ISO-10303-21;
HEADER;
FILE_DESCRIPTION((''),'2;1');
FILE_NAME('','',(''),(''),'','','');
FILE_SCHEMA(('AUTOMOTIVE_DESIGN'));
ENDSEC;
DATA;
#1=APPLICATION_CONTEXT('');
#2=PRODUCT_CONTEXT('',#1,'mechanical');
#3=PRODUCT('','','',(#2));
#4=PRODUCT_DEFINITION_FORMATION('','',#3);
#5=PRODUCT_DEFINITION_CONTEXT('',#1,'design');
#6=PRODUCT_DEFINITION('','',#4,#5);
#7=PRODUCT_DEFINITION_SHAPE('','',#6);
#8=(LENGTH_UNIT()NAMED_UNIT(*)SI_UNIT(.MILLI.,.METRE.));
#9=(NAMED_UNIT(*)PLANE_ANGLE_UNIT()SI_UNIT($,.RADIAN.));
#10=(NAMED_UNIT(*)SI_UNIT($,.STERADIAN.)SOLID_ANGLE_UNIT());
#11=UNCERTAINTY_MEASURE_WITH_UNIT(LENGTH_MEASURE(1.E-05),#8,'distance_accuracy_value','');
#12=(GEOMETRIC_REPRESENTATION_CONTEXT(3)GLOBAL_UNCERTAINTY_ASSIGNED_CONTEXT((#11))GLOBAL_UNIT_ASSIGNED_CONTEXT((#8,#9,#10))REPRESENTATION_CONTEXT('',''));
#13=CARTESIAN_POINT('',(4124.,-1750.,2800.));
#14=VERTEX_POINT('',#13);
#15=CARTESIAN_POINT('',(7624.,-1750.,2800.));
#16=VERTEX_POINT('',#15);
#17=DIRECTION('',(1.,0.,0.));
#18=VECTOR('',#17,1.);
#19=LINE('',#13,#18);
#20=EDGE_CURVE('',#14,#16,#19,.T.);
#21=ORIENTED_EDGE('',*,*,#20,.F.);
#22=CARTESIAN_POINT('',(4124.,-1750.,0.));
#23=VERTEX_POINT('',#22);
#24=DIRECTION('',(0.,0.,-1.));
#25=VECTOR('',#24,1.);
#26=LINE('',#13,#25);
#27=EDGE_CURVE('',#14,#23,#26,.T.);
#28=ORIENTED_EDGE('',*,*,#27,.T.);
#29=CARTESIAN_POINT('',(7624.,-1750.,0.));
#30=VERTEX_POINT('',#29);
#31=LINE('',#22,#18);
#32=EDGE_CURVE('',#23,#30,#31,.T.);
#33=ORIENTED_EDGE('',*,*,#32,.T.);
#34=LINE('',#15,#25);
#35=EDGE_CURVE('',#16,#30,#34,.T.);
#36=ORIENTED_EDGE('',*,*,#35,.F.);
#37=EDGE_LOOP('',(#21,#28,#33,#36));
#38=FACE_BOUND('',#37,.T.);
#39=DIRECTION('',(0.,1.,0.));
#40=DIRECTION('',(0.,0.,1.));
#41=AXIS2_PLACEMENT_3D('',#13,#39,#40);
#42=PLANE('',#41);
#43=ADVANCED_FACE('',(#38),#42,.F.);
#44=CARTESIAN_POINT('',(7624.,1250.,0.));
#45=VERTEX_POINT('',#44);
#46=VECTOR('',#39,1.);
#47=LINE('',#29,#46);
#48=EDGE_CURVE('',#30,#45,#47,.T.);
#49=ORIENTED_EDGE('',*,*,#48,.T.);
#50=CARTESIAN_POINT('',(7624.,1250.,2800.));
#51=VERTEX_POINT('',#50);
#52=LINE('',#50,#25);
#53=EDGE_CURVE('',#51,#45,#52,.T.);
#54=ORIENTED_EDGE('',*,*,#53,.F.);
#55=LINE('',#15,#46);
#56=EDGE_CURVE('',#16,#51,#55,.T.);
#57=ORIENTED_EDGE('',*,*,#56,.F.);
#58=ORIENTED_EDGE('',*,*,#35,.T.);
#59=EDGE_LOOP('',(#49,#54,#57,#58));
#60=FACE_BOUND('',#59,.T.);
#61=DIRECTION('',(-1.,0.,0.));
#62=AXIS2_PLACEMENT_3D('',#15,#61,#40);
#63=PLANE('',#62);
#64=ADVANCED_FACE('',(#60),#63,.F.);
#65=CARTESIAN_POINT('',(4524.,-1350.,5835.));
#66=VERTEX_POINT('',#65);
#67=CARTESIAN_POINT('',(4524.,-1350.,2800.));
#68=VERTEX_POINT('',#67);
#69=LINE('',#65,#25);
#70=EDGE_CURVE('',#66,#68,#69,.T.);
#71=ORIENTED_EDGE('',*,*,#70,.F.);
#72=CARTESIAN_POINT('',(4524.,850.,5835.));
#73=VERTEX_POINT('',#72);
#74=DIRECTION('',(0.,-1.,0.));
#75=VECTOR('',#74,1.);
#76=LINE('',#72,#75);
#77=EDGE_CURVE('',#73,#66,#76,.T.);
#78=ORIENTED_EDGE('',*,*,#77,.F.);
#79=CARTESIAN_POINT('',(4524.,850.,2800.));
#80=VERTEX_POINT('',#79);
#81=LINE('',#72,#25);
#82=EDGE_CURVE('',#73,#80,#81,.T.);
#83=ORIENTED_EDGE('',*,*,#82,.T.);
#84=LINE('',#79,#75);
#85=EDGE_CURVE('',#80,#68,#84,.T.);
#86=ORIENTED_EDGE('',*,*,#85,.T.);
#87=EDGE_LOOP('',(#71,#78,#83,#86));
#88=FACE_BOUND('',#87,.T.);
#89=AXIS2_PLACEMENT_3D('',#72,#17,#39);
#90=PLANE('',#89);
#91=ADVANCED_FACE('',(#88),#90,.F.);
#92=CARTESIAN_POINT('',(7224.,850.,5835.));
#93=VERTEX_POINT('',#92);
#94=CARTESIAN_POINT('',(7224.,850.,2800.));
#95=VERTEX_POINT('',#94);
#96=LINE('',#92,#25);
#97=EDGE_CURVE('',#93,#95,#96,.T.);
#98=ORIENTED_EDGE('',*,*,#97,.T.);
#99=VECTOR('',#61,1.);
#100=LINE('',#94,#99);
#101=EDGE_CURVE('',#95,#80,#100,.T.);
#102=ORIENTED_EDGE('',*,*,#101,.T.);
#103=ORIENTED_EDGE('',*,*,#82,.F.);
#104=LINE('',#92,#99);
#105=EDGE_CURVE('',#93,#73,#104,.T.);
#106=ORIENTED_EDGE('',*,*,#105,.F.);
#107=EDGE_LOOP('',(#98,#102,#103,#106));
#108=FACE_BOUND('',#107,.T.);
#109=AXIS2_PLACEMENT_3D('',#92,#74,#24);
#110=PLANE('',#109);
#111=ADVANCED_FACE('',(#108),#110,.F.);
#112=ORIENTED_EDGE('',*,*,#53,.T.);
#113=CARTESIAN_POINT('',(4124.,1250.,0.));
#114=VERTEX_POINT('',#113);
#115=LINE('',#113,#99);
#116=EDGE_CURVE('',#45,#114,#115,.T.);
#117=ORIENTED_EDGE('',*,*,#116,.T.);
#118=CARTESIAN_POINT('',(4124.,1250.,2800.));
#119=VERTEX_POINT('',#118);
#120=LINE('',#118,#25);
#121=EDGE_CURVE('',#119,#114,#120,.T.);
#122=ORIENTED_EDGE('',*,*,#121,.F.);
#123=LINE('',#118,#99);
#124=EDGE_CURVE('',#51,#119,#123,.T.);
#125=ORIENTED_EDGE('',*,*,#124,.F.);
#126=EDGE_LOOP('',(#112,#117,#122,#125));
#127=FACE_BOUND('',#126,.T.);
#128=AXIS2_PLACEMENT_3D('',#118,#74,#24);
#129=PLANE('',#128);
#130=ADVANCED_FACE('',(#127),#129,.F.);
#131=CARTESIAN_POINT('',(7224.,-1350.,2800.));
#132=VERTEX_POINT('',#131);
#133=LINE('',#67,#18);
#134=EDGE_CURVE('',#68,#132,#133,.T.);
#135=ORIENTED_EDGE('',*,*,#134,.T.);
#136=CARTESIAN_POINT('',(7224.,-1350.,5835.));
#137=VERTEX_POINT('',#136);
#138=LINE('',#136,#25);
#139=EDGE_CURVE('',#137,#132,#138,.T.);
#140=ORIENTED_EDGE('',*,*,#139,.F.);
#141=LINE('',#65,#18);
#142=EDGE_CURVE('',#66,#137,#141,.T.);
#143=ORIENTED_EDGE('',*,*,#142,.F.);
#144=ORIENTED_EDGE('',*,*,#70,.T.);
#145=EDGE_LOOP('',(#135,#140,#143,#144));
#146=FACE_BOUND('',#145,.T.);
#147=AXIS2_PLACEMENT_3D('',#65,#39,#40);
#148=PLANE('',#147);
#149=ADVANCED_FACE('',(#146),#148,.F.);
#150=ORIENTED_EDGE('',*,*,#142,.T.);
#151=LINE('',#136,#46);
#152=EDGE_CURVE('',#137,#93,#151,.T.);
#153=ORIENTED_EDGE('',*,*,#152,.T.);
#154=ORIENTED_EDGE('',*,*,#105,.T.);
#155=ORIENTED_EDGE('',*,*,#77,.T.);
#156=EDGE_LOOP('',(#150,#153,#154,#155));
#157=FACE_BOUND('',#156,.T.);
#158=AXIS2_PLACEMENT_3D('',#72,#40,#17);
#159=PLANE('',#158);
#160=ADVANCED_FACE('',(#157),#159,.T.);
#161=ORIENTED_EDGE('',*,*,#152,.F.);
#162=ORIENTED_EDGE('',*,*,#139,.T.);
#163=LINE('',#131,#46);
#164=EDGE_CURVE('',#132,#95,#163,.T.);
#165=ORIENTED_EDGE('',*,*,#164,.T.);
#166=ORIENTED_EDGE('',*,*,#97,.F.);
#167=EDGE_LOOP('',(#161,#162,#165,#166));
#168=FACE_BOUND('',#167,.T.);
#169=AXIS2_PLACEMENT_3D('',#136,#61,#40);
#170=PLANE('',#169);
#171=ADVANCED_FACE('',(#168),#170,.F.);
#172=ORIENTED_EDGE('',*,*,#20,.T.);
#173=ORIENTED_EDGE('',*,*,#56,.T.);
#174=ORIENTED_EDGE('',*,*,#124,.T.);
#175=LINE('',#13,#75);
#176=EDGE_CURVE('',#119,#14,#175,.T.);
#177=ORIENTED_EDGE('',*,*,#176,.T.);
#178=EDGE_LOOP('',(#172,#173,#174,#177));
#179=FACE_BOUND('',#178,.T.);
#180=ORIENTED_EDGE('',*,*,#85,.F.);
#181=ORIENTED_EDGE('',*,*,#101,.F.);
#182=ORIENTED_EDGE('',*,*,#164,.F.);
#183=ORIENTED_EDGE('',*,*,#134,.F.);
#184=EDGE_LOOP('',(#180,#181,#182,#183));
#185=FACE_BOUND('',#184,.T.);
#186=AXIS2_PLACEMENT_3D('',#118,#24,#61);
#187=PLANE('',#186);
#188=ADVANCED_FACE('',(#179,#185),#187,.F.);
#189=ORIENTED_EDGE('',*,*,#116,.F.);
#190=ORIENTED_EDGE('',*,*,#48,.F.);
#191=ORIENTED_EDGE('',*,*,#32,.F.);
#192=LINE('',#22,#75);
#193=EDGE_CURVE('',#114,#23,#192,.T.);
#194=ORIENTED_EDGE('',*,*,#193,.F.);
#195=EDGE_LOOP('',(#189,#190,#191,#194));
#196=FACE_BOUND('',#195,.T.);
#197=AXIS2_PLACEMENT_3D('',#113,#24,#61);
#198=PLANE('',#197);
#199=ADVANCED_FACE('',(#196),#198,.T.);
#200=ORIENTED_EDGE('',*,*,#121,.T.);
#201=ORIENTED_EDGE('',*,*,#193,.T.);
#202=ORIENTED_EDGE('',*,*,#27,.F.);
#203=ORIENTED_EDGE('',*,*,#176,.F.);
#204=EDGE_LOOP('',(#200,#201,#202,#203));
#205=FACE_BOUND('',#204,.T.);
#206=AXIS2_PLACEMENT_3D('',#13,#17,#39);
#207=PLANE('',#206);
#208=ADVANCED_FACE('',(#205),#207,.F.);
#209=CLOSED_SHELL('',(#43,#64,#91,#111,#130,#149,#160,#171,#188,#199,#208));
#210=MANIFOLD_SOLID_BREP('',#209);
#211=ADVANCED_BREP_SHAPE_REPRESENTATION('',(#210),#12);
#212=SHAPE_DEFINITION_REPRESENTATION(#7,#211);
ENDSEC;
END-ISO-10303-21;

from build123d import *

# Parameters (mm, degrees)
SKETCH1_W      = 3500
SKETCH1_H      = 3000
EXTRUDE1_DEPTH = 2800
SKETCH3_W      = 2700
SKETCH3_H      = 2200
EXTRUDE2_DEPTH = 3035


with BuildPart() as part:
    # Sketch1 → Extrude1 (new body)
    with BuildSketch(Plane.XY):
        with Locations((5874, -250)):
            Rectangle(SKETCH1_W, SKETCH1_H)
    extrude(amount=EXTRUDE1_DEPTH)

    # Sketch3 → Extrude2 (add)
    with BuildSketch(Plane.XY.offset(2800)):
        with Locations((5874, -250)):
            Rectangle(SKETCH3_W, SKETCH3_H)
    extrude(amount=EXTRUDE2_DEPTH)


solid = part.part
